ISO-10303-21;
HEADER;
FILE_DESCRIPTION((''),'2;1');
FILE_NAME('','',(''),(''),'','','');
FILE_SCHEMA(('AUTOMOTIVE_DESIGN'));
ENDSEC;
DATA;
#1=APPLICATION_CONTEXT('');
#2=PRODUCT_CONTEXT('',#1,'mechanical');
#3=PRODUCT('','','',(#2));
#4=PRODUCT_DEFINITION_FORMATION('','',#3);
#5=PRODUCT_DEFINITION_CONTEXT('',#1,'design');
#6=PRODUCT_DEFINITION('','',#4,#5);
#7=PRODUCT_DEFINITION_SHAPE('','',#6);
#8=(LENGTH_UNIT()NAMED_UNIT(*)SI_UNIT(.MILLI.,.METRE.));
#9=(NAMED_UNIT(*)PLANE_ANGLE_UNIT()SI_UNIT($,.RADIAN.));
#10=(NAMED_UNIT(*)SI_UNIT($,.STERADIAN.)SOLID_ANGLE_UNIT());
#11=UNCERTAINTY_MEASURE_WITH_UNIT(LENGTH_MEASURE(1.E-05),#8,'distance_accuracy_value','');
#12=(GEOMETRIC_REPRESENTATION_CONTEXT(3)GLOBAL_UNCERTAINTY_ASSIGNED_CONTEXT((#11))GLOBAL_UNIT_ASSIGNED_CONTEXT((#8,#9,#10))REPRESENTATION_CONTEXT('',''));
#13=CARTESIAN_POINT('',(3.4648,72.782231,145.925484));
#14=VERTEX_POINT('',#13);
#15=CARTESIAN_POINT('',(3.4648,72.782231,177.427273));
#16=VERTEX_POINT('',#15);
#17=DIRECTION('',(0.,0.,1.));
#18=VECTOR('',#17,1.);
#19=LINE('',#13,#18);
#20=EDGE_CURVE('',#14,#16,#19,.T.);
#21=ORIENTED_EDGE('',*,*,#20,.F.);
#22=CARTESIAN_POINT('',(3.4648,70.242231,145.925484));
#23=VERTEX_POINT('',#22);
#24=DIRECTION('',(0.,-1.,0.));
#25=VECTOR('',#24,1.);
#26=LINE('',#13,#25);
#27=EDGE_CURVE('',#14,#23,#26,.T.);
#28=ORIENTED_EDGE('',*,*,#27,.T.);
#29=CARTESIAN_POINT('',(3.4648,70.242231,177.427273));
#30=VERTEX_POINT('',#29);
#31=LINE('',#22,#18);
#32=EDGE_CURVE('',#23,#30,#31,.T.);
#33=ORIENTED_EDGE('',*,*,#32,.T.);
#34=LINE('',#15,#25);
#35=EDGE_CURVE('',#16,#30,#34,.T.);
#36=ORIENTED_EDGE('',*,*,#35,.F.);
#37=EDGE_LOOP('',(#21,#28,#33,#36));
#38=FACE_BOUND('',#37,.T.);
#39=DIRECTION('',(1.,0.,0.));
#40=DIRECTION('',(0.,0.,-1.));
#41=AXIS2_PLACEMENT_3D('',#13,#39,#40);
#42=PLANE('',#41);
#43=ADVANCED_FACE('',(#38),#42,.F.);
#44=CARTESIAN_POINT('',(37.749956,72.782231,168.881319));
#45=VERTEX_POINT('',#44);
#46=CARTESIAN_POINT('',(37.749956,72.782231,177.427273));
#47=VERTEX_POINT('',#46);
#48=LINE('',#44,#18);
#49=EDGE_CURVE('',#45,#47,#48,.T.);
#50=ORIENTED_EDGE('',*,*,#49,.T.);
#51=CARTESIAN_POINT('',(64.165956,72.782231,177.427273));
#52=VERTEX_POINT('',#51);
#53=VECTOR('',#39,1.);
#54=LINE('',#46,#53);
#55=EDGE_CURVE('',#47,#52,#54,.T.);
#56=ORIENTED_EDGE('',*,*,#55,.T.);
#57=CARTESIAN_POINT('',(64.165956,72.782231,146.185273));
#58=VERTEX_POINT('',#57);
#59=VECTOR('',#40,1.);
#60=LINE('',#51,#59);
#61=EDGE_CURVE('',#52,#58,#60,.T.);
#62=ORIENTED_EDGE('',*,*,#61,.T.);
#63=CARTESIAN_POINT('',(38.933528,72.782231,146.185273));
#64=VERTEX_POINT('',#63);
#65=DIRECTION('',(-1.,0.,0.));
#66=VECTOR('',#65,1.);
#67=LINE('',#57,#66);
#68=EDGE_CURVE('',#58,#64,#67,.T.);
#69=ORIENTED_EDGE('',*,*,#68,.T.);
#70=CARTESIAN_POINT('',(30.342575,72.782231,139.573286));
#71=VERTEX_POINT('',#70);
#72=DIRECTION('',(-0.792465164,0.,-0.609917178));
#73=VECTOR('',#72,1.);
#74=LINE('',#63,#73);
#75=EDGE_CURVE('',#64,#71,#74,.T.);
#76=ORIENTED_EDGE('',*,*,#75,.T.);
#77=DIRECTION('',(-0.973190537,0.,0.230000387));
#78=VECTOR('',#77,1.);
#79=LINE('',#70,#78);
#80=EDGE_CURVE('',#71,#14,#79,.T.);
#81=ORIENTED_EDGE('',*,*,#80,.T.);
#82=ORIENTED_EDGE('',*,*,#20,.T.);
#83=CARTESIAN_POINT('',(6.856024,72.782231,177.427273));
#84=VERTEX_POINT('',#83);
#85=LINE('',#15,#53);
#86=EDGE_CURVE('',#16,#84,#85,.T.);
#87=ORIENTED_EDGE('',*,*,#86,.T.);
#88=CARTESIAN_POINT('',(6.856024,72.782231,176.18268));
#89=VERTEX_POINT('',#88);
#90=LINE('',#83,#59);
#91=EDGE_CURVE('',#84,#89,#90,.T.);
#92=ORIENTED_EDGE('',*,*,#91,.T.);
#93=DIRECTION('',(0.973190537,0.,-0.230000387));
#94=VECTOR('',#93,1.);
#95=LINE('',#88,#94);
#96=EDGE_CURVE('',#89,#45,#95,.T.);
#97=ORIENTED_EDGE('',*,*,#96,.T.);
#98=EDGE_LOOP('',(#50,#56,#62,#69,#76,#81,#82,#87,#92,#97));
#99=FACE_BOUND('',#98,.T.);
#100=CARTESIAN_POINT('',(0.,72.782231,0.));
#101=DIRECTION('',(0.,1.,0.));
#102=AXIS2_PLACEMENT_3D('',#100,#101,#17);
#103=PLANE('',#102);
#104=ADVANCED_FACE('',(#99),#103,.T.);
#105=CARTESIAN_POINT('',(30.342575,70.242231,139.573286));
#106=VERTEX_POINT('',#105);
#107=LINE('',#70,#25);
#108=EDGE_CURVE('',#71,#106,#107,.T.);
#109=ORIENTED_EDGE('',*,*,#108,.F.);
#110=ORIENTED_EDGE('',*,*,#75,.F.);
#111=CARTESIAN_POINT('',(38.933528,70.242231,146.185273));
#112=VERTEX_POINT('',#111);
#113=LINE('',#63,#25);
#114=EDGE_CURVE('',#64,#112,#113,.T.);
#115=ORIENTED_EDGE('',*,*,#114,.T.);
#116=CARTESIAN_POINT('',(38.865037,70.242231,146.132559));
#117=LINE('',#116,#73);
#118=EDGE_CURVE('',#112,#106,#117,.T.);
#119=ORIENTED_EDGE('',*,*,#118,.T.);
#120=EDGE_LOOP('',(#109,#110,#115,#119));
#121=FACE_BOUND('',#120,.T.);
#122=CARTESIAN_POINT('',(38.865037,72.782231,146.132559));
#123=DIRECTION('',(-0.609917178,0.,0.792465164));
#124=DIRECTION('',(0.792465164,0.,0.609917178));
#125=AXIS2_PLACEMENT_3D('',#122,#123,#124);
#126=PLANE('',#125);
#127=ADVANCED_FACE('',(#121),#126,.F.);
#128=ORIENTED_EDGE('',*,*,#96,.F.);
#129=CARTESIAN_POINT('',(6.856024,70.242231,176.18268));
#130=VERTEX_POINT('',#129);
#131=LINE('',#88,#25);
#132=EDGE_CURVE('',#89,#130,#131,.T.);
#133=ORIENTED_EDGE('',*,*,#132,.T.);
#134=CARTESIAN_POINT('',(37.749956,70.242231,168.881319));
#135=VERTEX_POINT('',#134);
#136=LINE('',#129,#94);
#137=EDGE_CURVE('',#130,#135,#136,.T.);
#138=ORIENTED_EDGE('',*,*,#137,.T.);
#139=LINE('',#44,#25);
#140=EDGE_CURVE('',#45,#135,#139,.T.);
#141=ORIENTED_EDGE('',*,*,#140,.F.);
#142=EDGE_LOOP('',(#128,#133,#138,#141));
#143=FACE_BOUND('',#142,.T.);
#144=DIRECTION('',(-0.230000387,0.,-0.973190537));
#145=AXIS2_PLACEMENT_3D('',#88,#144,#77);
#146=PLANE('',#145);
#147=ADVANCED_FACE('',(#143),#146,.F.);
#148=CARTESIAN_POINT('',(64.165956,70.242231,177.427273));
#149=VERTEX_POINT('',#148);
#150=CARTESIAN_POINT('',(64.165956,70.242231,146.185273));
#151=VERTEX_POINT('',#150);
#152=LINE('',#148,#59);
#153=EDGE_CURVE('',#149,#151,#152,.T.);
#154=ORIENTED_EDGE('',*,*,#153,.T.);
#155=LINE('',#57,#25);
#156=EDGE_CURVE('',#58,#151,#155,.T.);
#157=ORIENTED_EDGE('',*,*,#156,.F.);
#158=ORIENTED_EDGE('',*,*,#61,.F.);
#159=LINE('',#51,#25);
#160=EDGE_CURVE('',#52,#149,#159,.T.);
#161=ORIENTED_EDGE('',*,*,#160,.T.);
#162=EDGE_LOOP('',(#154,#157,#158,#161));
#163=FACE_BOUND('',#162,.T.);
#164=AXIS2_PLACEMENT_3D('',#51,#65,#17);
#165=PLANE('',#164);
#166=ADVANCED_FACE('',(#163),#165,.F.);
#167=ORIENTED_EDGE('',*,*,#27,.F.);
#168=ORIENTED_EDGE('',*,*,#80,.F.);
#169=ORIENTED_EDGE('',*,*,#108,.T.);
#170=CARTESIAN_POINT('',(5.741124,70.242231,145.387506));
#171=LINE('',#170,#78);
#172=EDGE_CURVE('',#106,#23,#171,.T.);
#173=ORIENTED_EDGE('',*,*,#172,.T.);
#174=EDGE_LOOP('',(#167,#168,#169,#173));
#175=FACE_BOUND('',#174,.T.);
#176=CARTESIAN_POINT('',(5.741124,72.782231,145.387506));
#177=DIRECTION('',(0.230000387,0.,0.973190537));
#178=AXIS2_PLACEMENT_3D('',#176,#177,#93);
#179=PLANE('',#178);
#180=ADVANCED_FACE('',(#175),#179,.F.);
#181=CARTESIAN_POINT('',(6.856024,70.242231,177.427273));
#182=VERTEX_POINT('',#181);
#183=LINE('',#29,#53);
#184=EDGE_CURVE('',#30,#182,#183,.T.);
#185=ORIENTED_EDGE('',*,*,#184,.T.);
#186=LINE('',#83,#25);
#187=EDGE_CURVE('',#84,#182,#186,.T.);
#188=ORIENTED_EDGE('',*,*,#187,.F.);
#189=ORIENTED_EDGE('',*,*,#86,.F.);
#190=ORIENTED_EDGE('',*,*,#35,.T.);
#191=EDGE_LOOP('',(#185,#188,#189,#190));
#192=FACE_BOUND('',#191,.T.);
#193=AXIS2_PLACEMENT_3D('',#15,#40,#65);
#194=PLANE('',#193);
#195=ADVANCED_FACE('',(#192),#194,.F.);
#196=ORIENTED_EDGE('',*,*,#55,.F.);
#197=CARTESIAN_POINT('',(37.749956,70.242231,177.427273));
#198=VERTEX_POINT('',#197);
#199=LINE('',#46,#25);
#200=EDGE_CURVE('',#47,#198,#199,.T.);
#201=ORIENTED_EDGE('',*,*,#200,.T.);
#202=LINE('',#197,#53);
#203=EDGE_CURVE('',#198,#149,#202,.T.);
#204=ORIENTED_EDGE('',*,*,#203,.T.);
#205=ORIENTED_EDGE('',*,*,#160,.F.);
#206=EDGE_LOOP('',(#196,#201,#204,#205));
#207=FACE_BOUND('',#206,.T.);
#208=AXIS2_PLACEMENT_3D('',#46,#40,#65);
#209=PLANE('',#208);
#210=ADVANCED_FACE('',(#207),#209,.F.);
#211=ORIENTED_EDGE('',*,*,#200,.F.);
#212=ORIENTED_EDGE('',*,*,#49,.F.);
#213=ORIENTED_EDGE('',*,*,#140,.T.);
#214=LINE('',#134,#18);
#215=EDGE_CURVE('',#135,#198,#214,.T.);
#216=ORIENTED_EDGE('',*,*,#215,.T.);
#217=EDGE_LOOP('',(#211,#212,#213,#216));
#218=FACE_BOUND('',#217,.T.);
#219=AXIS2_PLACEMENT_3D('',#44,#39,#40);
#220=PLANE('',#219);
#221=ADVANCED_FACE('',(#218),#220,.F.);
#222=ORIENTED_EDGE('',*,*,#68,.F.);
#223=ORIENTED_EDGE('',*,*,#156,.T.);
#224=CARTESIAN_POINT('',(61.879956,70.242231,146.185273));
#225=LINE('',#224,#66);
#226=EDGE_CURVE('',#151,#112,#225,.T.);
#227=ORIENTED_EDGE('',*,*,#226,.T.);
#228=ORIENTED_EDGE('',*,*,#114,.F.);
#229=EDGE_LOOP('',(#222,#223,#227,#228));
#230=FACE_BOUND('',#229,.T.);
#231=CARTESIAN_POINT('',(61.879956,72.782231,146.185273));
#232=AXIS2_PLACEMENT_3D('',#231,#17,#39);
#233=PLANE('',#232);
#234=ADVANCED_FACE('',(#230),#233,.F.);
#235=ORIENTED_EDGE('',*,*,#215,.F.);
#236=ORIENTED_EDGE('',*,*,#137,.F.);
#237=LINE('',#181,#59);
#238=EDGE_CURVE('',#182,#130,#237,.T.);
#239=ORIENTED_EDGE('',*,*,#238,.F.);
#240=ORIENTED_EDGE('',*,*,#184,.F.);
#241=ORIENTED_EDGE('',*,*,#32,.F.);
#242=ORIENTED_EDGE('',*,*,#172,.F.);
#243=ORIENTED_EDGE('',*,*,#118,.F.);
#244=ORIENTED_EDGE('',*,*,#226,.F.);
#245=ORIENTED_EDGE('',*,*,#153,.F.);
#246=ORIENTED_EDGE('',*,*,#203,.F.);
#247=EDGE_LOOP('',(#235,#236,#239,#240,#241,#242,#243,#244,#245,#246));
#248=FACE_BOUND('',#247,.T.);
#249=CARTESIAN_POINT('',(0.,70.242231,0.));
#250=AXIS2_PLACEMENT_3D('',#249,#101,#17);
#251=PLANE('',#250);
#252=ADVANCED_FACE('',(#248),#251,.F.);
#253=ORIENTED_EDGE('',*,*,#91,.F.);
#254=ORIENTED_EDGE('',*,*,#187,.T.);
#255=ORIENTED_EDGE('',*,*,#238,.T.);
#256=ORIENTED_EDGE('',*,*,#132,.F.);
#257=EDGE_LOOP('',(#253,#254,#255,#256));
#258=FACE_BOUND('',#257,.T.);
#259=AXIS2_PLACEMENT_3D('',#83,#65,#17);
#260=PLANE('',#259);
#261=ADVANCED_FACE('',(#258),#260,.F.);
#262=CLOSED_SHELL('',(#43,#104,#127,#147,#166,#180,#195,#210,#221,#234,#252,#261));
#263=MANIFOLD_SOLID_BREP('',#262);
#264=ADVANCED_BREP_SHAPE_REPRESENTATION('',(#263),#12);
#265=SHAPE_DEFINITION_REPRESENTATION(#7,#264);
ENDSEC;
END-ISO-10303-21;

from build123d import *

# Parameters (mm, degrees)
BOSS_EXTRUDE1_DEPTH = 2.54


with BuildPart() as part:
    # Sketch1 → Boss-Extrude1 (new body)
    with BuildSketch(Plane(origin=(0, 70.242231191, 0), x_dir=(1, 0, 0), z_dir=(0, 1, 0))):
        Polygon((64.165955613, -146.185273256), (61.879955613, -146.185273256), (38.933527733, -146.185273256), (38.865036649, -146.132559408), (30.342575426, -139.57328622), (27.988259253, -140.129696922), (24.280403306, -141.005998397), (9.448979516, -144.511204294), (5.741123569, -145.387505768), (3.464799506, -145.925484093), (3.464799506, -177.427273256), (6.856024199, -177.427273256), (6.856024199, -176.182680272), (37.749955613, -168.881318507), (37.749955613, -177.427273256), (64.165955613, -177.427273256), align=None)
    extrude(amount=BOSS_EXTRUDE1_DEPTH)


solid = part.part
